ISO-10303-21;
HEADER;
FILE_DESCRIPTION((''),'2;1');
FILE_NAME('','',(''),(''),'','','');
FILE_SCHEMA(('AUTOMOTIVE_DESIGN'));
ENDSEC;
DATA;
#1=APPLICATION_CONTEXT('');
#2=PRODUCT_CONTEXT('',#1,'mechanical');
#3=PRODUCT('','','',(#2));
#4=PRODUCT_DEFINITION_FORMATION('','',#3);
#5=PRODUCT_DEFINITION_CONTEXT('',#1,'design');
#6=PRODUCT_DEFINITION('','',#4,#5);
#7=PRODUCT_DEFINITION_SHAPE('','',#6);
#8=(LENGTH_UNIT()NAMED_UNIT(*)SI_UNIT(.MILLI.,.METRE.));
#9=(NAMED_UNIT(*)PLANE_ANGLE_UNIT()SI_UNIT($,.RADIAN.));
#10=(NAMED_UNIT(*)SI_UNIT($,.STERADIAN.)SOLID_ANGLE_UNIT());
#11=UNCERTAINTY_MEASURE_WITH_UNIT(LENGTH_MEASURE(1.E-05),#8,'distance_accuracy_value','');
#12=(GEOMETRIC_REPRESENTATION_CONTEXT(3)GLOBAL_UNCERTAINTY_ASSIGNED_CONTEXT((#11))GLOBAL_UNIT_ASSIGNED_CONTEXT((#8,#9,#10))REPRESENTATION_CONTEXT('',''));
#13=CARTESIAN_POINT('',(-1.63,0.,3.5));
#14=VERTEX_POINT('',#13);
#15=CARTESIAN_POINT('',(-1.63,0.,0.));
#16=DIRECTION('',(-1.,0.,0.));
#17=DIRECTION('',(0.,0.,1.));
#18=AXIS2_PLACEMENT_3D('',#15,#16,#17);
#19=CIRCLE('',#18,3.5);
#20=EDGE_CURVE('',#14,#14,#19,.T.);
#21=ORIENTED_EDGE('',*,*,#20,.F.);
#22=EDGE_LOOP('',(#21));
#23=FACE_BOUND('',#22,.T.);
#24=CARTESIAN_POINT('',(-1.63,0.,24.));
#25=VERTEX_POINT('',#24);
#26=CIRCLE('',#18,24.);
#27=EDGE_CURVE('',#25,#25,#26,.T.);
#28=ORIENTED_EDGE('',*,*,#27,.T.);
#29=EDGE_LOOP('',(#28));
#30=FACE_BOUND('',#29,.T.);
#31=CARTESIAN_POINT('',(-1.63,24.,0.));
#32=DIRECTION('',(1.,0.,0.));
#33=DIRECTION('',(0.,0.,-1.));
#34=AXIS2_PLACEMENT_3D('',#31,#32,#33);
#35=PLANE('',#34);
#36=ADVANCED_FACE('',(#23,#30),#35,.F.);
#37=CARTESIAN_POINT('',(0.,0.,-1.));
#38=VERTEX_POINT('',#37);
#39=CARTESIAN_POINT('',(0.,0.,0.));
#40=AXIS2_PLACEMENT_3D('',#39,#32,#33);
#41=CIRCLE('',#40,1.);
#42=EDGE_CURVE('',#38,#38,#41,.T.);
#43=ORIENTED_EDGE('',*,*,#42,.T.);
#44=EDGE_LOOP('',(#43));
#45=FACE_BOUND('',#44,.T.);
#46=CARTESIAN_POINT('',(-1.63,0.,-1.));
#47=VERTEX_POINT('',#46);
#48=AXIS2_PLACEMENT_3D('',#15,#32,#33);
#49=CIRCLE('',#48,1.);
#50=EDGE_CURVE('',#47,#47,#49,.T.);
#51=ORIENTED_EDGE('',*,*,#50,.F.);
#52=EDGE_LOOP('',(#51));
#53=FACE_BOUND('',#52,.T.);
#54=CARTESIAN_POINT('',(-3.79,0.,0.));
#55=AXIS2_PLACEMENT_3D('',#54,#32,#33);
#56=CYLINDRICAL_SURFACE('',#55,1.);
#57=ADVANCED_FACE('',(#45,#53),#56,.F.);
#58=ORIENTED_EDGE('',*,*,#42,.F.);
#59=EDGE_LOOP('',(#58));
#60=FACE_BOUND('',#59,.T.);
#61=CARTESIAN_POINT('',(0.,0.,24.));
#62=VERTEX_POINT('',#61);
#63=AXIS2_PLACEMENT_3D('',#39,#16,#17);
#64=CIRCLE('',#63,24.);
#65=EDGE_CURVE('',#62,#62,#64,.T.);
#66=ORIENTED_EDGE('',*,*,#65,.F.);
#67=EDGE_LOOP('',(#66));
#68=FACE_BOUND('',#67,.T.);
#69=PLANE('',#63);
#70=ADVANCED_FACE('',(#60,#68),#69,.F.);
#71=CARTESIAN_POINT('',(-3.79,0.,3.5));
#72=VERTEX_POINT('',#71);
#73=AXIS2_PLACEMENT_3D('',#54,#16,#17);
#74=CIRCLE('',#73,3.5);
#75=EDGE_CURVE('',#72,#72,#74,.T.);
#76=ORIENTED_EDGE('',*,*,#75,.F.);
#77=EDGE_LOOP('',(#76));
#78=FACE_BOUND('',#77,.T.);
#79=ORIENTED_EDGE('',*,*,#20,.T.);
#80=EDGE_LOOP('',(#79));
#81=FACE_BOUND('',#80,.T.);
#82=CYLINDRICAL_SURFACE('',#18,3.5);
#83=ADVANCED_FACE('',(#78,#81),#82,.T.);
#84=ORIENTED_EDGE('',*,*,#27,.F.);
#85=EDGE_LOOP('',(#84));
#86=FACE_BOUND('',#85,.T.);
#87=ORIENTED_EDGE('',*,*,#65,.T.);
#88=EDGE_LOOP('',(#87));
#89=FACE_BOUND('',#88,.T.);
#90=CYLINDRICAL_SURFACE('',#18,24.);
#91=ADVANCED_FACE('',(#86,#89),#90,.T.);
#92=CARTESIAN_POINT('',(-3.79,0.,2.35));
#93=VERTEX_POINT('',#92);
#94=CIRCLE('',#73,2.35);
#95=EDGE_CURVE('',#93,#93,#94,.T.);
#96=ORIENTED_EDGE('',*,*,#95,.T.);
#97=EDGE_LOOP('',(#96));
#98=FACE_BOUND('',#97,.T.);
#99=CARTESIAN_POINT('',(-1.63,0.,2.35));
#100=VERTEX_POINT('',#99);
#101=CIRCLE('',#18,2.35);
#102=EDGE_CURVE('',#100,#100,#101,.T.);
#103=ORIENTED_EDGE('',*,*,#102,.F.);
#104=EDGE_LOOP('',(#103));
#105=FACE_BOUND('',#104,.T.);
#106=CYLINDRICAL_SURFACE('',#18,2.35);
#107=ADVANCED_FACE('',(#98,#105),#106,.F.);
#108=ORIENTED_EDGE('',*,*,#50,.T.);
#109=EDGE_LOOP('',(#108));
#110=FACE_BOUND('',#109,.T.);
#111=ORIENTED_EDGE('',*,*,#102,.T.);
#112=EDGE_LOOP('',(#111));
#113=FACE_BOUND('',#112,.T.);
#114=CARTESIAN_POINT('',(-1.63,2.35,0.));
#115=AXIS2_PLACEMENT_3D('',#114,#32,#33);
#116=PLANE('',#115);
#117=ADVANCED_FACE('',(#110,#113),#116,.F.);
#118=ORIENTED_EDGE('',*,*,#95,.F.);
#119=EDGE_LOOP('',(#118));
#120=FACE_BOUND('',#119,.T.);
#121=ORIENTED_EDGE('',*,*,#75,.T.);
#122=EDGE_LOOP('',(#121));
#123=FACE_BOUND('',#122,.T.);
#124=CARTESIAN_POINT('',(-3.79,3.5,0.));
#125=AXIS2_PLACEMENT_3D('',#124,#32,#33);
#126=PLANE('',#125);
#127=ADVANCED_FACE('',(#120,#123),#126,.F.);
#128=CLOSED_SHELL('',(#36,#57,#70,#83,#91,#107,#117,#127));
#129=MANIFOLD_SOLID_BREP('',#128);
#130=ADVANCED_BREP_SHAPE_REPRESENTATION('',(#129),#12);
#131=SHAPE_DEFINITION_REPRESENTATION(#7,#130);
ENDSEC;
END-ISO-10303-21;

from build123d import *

# Parameters (mm, degrees)
SKETCH3_R          = 1
CUT_EXTRUDE1_DEPTH = 35.152073144


with BuildPart() as part:
    # Sketch2 → Revolve1 (revolve)
    with BuildSketch(Plane.XY, mode=Mode.PRIVATE) as revolve1_sk:
        Polygon((0, 0), (0, 24), (-1.63, 24), (-1.63, 3.5), (-3.79, 3.5), (-3.79, 2.35), (-1.63, 2.35), (-1.63, 0), align=None)
    revolve(revolve1_sk.sketch.rotate(Axis((-1.63, 0, 0), (1, 0, 0)), 90), axis=Axis((-1.63, 0, 0), (1, 0, 0)))

    # Sketch3 → Cut-Extrude1 (cut, through all)
    with BuildSketch(Plane(origin=(0, 0, 0), x_dir=(0, 0, -1), z_dir=(1, 0, 0))):
        Circle(SKETCH3_R)
    extrude(amount=-CUT_EXTRUDE1_DEPTH, mode=Mode.SUBTRACT)


solid = part.part
